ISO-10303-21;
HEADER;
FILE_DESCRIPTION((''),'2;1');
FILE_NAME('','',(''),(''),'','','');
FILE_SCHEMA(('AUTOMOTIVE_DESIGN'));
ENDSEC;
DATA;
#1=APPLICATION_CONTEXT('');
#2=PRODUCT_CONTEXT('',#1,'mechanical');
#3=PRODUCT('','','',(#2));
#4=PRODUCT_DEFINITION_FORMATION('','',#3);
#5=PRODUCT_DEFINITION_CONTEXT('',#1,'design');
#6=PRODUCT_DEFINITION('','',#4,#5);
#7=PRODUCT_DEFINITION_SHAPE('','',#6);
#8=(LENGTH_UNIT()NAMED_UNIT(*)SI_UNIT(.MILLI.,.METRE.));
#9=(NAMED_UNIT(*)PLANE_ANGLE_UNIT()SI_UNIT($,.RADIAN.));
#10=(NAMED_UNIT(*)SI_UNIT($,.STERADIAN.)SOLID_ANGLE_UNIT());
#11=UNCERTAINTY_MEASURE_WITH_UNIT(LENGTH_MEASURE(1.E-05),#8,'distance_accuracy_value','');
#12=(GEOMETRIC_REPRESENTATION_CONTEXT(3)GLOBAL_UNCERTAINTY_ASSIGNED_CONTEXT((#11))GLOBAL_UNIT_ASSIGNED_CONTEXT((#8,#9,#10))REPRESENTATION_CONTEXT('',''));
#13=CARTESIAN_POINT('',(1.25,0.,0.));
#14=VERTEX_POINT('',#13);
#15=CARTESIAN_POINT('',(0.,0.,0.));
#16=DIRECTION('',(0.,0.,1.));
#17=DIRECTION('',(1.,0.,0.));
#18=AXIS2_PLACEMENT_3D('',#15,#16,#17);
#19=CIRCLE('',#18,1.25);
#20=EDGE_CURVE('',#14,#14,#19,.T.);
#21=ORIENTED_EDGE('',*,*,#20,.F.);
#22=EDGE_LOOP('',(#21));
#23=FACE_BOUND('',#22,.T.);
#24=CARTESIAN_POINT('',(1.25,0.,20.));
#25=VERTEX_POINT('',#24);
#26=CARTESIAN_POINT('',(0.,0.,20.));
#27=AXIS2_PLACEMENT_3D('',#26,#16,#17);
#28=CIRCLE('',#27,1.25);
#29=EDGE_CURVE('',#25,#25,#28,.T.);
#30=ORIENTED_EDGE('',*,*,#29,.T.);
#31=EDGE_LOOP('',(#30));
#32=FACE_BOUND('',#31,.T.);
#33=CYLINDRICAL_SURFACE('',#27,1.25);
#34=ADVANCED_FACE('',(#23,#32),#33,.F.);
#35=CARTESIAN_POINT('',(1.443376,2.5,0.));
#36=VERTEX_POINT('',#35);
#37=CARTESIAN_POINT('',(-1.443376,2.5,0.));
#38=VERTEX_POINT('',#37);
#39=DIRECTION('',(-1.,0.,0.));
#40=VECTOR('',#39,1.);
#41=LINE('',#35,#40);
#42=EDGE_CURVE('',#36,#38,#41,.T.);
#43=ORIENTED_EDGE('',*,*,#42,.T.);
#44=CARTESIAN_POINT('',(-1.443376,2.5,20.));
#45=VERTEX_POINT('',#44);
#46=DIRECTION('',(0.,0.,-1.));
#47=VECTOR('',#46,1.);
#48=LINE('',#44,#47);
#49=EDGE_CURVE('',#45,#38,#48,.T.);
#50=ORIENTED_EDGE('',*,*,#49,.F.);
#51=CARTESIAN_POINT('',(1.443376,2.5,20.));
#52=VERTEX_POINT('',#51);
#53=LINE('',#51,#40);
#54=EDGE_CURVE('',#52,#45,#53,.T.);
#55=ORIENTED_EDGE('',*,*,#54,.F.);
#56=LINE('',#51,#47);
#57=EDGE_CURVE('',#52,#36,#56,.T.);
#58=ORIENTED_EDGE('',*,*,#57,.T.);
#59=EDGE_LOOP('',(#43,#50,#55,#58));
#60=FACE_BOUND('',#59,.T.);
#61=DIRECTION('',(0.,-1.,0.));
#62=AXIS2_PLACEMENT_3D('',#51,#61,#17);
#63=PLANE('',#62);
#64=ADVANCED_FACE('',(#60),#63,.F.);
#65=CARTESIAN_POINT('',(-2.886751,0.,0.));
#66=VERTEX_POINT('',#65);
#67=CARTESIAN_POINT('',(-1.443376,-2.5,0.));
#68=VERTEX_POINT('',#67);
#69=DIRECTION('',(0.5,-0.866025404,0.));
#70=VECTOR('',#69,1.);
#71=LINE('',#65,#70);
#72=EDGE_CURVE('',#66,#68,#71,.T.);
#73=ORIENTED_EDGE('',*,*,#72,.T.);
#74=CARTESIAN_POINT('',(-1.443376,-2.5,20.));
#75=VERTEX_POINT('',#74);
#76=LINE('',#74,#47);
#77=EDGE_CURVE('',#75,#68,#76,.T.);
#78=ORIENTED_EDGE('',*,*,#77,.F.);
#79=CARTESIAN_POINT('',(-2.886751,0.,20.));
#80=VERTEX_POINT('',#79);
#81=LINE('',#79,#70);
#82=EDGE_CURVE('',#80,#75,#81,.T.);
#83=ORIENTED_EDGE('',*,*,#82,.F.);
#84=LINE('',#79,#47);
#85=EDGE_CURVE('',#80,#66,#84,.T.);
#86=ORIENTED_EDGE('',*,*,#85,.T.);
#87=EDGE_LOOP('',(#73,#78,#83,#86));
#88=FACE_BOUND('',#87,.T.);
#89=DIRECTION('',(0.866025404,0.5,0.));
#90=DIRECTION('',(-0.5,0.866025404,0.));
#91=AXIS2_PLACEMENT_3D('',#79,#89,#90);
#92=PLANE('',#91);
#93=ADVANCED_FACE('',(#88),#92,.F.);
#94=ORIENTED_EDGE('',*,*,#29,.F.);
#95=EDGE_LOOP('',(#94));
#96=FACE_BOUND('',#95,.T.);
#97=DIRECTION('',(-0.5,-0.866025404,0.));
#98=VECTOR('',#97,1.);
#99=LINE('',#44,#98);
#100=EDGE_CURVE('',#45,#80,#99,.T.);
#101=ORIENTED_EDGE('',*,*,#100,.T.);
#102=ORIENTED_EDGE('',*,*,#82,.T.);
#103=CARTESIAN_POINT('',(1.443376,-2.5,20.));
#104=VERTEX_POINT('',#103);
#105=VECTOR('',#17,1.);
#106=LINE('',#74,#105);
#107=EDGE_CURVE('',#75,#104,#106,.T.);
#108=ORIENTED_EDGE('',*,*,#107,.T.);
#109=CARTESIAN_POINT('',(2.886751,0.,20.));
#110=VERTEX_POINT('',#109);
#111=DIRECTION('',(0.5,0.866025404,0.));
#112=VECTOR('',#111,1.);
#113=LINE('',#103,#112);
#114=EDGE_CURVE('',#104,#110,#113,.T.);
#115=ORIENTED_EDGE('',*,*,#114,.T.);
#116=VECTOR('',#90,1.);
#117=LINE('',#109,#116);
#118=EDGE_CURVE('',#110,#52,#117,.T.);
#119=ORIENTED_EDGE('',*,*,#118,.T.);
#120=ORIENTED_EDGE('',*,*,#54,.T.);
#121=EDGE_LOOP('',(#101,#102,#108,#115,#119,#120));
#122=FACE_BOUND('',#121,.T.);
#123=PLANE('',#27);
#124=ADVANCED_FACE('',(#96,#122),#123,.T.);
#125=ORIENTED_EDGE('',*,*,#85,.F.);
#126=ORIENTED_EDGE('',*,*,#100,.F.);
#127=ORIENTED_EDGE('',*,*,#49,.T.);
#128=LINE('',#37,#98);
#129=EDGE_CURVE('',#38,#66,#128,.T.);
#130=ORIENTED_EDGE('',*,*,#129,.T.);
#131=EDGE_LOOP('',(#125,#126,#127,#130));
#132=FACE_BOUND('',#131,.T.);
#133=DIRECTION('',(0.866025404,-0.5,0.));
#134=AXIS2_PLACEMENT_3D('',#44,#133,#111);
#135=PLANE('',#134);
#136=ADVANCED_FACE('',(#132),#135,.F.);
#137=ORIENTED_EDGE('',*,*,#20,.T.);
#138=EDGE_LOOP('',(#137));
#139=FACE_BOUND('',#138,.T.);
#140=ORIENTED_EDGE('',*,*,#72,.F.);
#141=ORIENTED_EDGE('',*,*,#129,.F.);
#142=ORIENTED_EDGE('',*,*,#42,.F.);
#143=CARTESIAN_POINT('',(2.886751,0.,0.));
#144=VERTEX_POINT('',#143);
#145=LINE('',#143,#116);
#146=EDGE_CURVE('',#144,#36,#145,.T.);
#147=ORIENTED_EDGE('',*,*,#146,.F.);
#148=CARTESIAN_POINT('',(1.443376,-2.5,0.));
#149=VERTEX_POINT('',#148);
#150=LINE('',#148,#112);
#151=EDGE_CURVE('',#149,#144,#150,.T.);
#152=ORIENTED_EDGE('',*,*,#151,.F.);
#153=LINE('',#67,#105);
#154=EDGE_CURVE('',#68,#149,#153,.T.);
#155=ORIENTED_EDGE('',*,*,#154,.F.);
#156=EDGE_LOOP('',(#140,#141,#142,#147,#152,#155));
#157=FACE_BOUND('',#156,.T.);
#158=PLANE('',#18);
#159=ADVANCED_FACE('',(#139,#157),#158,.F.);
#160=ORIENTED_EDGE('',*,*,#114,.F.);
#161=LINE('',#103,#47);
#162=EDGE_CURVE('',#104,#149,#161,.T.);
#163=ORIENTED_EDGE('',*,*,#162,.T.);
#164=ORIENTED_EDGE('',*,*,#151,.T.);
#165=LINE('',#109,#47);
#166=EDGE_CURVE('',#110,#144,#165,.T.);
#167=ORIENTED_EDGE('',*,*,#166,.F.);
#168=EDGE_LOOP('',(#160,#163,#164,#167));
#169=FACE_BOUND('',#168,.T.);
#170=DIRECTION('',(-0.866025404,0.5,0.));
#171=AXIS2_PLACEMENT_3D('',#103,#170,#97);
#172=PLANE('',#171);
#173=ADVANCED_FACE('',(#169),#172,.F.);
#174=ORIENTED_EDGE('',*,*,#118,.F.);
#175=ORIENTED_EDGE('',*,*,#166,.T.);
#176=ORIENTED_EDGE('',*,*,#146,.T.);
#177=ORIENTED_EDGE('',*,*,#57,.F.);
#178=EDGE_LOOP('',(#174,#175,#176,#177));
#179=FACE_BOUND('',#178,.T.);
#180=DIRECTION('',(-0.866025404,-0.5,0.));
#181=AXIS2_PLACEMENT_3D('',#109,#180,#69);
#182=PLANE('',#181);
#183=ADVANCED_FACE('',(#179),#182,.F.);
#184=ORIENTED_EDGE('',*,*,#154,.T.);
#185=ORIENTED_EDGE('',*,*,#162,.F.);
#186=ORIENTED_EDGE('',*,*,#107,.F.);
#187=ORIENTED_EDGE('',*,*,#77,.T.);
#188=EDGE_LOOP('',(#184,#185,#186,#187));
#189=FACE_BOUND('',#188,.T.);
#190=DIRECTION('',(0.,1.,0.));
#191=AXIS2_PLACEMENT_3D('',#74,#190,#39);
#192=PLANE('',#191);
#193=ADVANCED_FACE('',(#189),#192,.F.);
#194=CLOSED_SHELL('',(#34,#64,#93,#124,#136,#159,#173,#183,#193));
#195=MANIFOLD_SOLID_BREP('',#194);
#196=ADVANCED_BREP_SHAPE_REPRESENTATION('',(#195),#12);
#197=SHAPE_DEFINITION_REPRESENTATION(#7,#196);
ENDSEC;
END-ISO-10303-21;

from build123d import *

# Parameters (mm, degrees)
EXTRUDE_1_DEPTH = 20
M3X0_5_1_D      = 2.5


with BuildPart() as part:
    # 草圖1 → 填料-伸長1 (new body)
    with BuildSketch(Plane.XY):
        Polygon((-1.443375673, 2.5), (-2.886751346, 0), (-1.443375673, -2.5), (1.443375673, -2.5), (2.886751346, 0), (1.443375673, 2.5), align=None)
    extrude(amount=EXTRUDE_1_DEPTH)

    # M3x0.5 螺紋孔1 (through all)
    with Locations(Plane.XY.offset(20)):
        with Locations((0, 0)):
            Hole(M3X0_5_1_D / 2)


solid = part.part
